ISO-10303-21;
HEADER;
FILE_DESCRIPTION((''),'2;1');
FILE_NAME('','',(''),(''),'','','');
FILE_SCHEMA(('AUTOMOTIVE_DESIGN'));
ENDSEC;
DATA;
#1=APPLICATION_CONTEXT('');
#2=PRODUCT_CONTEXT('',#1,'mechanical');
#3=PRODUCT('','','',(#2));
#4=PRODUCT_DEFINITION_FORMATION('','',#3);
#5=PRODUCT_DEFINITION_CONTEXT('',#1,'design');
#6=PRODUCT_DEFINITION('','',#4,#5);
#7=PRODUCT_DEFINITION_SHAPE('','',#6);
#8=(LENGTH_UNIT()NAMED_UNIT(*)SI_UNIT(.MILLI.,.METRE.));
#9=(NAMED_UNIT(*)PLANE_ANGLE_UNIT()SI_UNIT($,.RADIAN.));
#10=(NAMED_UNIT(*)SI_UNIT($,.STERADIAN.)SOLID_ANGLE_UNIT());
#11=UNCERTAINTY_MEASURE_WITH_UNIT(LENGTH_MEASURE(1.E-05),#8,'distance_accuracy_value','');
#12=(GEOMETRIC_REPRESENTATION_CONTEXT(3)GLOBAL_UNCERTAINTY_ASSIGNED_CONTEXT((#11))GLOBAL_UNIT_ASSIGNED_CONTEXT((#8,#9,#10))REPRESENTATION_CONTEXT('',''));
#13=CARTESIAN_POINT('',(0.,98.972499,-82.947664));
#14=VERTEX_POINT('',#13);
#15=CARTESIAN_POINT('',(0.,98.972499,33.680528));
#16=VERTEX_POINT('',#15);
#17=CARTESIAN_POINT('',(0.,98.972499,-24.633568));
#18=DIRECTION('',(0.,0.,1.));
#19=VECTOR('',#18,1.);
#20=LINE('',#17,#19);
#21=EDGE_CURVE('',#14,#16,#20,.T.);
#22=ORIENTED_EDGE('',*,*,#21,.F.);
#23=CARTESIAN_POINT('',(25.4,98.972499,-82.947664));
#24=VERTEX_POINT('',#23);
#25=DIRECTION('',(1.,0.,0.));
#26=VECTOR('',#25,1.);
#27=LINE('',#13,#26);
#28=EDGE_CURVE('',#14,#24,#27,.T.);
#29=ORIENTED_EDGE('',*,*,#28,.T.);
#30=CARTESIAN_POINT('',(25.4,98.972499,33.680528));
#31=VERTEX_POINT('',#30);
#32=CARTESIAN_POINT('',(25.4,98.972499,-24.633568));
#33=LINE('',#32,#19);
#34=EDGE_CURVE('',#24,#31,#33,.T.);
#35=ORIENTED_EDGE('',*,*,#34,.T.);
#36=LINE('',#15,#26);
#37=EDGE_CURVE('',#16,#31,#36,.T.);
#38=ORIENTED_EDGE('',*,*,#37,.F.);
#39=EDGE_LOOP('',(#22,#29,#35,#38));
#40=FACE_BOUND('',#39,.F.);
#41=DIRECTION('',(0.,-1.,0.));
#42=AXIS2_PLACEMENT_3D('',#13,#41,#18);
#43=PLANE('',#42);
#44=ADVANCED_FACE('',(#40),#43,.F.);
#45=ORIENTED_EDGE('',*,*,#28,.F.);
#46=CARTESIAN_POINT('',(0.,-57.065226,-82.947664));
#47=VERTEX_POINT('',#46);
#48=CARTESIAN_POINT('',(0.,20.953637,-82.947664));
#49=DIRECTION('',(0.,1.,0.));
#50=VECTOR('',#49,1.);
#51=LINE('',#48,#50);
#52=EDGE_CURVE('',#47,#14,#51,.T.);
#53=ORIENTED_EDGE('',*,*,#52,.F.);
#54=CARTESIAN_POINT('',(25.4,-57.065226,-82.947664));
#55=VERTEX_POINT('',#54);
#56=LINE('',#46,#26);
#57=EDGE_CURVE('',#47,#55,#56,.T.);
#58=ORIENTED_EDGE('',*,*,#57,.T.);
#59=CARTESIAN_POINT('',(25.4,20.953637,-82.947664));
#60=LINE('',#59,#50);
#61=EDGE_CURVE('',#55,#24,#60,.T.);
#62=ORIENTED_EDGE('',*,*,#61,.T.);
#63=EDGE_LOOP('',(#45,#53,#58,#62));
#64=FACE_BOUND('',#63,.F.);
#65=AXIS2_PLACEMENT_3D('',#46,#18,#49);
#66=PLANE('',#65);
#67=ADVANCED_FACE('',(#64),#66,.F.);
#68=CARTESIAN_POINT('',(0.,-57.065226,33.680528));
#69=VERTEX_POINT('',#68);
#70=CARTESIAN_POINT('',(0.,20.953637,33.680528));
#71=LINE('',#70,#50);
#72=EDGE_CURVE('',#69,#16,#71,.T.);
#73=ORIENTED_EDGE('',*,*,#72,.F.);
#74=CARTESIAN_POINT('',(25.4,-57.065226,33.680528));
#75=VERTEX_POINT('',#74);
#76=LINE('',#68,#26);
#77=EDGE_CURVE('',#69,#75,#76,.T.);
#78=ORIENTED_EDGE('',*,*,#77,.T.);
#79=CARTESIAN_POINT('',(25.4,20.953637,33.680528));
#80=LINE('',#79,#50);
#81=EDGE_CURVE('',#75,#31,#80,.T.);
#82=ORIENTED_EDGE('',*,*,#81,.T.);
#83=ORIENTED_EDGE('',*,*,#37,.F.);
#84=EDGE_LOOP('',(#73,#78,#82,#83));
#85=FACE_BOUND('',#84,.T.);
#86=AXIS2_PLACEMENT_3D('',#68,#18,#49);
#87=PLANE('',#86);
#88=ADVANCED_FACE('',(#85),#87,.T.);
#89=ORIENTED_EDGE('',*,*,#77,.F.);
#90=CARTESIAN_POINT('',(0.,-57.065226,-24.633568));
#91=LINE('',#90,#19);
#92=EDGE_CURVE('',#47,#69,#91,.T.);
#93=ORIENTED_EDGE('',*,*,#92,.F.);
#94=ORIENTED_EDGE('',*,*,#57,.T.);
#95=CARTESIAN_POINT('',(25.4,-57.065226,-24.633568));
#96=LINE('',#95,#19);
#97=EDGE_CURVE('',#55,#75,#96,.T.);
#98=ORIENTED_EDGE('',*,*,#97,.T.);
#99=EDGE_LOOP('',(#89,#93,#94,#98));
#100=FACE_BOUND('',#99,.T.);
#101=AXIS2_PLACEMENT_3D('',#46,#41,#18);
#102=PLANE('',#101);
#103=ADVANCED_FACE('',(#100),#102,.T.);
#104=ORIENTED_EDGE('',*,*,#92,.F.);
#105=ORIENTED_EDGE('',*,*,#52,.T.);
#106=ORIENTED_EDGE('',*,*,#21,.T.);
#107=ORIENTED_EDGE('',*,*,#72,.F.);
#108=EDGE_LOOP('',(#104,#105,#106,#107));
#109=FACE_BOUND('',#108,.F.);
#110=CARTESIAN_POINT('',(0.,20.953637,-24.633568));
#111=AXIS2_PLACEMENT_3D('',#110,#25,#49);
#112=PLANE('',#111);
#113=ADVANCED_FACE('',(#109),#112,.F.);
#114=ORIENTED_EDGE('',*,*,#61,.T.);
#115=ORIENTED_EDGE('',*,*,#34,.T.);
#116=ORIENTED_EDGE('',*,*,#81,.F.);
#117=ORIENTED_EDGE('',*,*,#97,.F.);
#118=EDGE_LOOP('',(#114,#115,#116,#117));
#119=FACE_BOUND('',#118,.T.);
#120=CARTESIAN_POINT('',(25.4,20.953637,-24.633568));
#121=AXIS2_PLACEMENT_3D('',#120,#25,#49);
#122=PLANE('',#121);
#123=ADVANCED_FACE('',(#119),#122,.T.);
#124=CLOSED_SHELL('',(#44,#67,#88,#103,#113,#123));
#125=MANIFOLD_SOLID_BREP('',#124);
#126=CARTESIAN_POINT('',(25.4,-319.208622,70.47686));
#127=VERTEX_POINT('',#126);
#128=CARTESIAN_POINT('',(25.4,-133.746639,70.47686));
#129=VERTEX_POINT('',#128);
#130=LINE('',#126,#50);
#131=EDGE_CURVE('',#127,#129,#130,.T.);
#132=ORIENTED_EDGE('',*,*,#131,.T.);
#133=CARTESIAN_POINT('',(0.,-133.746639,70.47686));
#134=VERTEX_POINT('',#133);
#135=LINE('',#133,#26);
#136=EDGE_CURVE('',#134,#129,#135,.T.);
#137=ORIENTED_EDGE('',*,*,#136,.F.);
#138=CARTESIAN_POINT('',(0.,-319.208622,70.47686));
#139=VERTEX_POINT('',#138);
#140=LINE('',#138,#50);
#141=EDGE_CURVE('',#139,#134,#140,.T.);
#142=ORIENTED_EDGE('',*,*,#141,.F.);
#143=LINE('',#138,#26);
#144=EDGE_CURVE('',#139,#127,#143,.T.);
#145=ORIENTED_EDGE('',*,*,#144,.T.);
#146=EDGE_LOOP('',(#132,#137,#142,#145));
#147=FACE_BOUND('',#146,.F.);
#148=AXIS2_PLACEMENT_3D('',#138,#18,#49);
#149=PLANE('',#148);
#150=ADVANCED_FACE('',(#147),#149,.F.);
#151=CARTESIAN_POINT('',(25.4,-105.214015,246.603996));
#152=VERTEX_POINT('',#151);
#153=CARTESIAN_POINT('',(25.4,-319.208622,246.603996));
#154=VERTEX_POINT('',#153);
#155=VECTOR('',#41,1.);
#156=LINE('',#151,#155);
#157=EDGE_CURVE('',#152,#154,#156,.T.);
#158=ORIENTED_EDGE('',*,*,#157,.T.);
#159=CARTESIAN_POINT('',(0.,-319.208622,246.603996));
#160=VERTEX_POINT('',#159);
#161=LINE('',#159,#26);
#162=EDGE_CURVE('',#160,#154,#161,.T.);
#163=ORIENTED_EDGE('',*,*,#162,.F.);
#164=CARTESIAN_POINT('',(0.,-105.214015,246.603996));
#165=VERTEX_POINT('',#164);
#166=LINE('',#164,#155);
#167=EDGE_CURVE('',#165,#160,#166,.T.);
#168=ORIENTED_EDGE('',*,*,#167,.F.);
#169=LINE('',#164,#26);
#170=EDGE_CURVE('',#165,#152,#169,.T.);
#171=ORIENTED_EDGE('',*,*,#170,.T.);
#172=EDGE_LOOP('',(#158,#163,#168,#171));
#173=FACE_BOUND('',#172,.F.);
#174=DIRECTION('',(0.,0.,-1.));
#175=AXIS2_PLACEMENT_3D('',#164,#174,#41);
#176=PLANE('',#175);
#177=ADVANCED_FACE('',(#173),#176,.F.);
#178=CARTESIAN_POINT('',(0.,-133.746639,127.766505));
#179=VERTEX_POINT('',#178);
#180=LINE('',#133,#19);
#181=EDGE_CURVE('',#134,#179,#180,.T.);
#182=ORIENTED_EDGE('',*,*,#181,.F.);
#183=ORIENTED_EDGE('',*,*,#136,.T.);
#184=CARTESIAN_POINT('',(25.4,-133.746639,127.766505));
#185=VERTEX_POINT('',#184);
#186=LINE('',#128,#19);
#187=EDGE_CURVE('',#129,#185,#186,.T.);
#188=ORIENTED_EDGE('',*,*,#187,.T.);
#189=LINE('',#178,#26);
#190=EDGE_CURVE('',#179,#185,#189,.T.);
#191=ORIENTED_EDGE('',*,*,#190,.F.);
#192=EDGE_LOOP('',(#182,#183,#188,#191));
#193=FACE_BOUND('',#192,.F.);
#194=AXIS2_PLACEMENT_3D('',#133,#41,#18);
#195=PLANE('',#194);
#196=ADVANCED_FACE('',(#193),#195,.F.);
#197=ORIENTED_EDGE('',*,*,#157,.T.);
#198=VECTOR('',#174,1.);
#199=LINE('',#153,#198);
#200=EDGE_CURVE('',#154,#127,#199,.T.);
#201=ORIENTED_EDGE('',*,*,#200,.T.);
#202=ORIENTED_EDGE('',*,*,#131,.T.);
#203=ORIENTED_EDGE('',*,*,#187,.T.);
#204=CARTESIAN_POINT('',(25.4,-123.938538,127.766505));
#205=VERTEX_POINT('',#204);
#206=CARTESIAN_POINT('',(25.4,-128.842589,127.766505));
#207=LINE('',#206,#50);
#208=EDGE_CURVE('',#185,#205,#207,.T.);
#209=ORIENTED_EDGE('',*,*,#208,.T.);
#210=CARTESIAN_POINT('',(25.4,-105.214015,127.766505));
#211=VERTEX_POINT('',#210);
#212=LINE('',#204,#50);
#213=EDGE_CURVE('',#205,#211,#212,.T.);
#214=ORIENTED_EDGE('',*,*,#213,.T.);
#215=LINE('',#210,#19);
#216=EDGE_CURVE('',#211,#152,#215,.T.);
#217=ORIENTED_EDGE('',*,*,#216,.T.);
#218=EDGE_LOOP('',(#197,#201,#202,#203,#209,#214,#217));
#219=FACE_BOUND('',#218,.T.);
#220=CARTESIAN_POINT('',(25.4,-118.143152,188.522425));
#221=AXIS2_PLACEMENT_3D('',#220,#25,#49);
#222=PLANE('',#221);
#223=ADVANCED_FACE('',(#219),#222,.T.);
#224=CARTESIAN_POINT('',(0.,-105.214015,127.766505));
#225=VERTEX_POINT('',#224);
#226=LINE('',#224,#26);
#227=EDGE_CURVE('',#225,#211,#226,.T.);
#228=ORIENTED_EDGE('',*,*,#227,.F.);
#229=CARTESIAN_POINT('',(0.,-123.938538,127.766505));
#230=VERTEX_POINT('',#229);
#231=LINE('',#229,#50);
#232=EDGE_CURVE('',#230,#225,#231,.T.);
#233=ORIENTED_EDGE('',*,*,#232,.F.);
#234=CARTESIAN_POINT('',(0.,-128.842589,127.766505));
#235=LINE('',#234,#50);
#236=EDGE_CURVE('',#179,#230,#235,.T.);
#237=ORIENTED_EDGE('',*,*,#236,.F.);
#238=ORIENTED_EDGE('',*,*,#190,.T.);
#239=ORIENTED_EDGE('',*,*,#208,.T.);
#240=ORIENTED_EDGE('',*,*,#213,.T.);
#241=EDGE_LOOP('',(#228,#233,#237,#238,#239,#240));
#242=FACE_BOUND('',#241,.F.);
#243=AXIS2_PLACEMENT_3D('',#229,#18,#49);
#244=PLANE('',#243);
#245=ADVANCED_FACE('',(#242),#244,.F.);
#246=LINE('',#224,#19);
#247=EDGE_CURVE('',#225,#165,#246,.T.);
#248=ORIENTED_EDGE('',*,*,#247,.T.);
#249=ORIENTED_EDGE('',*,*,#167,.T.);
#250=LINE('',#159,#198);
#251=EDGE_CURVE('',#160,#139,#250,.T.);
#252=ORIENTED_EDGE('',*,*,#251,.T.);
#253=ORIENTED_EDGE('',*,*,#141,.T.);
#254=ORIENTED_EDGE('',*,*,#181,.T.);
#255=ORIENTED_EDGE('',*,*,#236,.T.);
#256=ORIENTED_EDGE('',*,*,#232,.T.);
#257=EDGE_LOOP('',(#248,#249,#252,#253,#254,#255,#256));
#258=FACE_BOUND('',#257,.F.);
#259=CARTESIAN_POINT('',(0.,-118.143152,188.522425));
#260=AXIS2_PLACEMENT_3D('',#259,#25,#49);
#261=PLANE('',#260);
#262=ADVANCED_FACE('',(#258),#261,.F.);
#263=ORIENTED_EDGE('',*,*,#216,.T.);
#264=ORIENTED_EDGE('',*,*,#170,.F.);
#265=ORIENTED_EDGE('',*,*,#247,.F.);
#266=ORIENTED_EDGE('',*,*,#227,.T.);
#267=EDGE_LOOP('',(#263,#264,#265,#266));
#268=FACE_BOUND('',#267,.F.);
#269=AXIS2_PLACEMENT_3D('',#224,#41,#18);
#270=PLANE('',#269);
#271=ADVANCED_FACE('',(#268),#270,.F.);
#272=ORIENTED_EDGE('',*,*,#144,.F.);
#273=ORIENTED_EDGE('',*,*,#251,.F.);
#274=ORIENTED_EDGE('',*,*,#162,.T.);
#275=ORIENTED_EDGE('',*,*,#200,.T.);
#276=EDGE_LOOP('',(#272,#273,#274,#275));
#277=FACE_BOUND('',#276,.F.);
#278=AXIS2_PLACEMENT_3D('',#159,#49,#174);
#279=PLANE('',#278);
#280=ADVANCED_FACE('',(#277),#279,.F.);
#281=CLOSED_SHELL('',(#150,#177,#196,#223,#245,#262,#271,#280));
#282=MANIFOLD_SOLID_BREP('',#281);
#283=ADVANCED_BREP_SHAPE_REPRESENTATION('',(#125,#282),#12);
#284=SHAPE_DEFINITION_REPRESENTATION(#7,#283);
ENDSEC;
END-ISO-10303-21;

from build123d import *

# Parameters (mm, degrees)
F0_W     = 156.0377255082
F0_H     = 116.6281923652
F1_DEPTH = 25.4
F0_W_2   = 9.80810076
F0_H_2   = 40.1830375195
F0_W_3   = 78.46467942


with BuildPart() as f1:
    # F0 (on Right) → F1 (new body)
    with BuildSketch(Plane.YZ):
        with Locations((20.9536366165, -24.6335677803)):
            Rectangle(F0_W, F0_H)
    extrude(amount=F1_DEPTH)


with BuildPart() as f1b:
    # F0 (on Right) → F1, piece 2 (new body)
    with BuildSketch(Plane.YZ):
        Polygon((-123.9385381341, 127.7665048838), (-105.2140146494, 127.7665048838), (-105.2140146494, 246.6039955616), (-133.7466388941, 246.6039955616), (-133.7466388941, 167.9495424032), (-123.9385381341, 167.9495424032), align=None)
        with Locations((-128.8425885141, 147.8580236435)):
            Rectangle(F0_W_2, F0_H_2)
        Polygon((-133.7466388941, 70.476859808), (-133.7466388941, 127.7665048838), (-212.2113183141, 127.7665048838), (-319.2086219788, 127.7665048838), (-319.2086219788, 70.476859808), align=None)
        with Locations((-172.9789786041, 147.8580236435)):
            Rectangle(F0_W_3, F0_H_2)
        Polygon((-133.7466388941, 167.9495424032), (-133.7466388941, 246.6039955616), (-319.2086219788, 246.6039955616), (-319.2086219788, 127.7665048838), (-212.2113183141, 127.7665048838), (-212.2113183141, 167.9495424032), align=None)
    extrude(amount=F1_DEPTH)


solid = Compound([f1.part, f1b.part])
